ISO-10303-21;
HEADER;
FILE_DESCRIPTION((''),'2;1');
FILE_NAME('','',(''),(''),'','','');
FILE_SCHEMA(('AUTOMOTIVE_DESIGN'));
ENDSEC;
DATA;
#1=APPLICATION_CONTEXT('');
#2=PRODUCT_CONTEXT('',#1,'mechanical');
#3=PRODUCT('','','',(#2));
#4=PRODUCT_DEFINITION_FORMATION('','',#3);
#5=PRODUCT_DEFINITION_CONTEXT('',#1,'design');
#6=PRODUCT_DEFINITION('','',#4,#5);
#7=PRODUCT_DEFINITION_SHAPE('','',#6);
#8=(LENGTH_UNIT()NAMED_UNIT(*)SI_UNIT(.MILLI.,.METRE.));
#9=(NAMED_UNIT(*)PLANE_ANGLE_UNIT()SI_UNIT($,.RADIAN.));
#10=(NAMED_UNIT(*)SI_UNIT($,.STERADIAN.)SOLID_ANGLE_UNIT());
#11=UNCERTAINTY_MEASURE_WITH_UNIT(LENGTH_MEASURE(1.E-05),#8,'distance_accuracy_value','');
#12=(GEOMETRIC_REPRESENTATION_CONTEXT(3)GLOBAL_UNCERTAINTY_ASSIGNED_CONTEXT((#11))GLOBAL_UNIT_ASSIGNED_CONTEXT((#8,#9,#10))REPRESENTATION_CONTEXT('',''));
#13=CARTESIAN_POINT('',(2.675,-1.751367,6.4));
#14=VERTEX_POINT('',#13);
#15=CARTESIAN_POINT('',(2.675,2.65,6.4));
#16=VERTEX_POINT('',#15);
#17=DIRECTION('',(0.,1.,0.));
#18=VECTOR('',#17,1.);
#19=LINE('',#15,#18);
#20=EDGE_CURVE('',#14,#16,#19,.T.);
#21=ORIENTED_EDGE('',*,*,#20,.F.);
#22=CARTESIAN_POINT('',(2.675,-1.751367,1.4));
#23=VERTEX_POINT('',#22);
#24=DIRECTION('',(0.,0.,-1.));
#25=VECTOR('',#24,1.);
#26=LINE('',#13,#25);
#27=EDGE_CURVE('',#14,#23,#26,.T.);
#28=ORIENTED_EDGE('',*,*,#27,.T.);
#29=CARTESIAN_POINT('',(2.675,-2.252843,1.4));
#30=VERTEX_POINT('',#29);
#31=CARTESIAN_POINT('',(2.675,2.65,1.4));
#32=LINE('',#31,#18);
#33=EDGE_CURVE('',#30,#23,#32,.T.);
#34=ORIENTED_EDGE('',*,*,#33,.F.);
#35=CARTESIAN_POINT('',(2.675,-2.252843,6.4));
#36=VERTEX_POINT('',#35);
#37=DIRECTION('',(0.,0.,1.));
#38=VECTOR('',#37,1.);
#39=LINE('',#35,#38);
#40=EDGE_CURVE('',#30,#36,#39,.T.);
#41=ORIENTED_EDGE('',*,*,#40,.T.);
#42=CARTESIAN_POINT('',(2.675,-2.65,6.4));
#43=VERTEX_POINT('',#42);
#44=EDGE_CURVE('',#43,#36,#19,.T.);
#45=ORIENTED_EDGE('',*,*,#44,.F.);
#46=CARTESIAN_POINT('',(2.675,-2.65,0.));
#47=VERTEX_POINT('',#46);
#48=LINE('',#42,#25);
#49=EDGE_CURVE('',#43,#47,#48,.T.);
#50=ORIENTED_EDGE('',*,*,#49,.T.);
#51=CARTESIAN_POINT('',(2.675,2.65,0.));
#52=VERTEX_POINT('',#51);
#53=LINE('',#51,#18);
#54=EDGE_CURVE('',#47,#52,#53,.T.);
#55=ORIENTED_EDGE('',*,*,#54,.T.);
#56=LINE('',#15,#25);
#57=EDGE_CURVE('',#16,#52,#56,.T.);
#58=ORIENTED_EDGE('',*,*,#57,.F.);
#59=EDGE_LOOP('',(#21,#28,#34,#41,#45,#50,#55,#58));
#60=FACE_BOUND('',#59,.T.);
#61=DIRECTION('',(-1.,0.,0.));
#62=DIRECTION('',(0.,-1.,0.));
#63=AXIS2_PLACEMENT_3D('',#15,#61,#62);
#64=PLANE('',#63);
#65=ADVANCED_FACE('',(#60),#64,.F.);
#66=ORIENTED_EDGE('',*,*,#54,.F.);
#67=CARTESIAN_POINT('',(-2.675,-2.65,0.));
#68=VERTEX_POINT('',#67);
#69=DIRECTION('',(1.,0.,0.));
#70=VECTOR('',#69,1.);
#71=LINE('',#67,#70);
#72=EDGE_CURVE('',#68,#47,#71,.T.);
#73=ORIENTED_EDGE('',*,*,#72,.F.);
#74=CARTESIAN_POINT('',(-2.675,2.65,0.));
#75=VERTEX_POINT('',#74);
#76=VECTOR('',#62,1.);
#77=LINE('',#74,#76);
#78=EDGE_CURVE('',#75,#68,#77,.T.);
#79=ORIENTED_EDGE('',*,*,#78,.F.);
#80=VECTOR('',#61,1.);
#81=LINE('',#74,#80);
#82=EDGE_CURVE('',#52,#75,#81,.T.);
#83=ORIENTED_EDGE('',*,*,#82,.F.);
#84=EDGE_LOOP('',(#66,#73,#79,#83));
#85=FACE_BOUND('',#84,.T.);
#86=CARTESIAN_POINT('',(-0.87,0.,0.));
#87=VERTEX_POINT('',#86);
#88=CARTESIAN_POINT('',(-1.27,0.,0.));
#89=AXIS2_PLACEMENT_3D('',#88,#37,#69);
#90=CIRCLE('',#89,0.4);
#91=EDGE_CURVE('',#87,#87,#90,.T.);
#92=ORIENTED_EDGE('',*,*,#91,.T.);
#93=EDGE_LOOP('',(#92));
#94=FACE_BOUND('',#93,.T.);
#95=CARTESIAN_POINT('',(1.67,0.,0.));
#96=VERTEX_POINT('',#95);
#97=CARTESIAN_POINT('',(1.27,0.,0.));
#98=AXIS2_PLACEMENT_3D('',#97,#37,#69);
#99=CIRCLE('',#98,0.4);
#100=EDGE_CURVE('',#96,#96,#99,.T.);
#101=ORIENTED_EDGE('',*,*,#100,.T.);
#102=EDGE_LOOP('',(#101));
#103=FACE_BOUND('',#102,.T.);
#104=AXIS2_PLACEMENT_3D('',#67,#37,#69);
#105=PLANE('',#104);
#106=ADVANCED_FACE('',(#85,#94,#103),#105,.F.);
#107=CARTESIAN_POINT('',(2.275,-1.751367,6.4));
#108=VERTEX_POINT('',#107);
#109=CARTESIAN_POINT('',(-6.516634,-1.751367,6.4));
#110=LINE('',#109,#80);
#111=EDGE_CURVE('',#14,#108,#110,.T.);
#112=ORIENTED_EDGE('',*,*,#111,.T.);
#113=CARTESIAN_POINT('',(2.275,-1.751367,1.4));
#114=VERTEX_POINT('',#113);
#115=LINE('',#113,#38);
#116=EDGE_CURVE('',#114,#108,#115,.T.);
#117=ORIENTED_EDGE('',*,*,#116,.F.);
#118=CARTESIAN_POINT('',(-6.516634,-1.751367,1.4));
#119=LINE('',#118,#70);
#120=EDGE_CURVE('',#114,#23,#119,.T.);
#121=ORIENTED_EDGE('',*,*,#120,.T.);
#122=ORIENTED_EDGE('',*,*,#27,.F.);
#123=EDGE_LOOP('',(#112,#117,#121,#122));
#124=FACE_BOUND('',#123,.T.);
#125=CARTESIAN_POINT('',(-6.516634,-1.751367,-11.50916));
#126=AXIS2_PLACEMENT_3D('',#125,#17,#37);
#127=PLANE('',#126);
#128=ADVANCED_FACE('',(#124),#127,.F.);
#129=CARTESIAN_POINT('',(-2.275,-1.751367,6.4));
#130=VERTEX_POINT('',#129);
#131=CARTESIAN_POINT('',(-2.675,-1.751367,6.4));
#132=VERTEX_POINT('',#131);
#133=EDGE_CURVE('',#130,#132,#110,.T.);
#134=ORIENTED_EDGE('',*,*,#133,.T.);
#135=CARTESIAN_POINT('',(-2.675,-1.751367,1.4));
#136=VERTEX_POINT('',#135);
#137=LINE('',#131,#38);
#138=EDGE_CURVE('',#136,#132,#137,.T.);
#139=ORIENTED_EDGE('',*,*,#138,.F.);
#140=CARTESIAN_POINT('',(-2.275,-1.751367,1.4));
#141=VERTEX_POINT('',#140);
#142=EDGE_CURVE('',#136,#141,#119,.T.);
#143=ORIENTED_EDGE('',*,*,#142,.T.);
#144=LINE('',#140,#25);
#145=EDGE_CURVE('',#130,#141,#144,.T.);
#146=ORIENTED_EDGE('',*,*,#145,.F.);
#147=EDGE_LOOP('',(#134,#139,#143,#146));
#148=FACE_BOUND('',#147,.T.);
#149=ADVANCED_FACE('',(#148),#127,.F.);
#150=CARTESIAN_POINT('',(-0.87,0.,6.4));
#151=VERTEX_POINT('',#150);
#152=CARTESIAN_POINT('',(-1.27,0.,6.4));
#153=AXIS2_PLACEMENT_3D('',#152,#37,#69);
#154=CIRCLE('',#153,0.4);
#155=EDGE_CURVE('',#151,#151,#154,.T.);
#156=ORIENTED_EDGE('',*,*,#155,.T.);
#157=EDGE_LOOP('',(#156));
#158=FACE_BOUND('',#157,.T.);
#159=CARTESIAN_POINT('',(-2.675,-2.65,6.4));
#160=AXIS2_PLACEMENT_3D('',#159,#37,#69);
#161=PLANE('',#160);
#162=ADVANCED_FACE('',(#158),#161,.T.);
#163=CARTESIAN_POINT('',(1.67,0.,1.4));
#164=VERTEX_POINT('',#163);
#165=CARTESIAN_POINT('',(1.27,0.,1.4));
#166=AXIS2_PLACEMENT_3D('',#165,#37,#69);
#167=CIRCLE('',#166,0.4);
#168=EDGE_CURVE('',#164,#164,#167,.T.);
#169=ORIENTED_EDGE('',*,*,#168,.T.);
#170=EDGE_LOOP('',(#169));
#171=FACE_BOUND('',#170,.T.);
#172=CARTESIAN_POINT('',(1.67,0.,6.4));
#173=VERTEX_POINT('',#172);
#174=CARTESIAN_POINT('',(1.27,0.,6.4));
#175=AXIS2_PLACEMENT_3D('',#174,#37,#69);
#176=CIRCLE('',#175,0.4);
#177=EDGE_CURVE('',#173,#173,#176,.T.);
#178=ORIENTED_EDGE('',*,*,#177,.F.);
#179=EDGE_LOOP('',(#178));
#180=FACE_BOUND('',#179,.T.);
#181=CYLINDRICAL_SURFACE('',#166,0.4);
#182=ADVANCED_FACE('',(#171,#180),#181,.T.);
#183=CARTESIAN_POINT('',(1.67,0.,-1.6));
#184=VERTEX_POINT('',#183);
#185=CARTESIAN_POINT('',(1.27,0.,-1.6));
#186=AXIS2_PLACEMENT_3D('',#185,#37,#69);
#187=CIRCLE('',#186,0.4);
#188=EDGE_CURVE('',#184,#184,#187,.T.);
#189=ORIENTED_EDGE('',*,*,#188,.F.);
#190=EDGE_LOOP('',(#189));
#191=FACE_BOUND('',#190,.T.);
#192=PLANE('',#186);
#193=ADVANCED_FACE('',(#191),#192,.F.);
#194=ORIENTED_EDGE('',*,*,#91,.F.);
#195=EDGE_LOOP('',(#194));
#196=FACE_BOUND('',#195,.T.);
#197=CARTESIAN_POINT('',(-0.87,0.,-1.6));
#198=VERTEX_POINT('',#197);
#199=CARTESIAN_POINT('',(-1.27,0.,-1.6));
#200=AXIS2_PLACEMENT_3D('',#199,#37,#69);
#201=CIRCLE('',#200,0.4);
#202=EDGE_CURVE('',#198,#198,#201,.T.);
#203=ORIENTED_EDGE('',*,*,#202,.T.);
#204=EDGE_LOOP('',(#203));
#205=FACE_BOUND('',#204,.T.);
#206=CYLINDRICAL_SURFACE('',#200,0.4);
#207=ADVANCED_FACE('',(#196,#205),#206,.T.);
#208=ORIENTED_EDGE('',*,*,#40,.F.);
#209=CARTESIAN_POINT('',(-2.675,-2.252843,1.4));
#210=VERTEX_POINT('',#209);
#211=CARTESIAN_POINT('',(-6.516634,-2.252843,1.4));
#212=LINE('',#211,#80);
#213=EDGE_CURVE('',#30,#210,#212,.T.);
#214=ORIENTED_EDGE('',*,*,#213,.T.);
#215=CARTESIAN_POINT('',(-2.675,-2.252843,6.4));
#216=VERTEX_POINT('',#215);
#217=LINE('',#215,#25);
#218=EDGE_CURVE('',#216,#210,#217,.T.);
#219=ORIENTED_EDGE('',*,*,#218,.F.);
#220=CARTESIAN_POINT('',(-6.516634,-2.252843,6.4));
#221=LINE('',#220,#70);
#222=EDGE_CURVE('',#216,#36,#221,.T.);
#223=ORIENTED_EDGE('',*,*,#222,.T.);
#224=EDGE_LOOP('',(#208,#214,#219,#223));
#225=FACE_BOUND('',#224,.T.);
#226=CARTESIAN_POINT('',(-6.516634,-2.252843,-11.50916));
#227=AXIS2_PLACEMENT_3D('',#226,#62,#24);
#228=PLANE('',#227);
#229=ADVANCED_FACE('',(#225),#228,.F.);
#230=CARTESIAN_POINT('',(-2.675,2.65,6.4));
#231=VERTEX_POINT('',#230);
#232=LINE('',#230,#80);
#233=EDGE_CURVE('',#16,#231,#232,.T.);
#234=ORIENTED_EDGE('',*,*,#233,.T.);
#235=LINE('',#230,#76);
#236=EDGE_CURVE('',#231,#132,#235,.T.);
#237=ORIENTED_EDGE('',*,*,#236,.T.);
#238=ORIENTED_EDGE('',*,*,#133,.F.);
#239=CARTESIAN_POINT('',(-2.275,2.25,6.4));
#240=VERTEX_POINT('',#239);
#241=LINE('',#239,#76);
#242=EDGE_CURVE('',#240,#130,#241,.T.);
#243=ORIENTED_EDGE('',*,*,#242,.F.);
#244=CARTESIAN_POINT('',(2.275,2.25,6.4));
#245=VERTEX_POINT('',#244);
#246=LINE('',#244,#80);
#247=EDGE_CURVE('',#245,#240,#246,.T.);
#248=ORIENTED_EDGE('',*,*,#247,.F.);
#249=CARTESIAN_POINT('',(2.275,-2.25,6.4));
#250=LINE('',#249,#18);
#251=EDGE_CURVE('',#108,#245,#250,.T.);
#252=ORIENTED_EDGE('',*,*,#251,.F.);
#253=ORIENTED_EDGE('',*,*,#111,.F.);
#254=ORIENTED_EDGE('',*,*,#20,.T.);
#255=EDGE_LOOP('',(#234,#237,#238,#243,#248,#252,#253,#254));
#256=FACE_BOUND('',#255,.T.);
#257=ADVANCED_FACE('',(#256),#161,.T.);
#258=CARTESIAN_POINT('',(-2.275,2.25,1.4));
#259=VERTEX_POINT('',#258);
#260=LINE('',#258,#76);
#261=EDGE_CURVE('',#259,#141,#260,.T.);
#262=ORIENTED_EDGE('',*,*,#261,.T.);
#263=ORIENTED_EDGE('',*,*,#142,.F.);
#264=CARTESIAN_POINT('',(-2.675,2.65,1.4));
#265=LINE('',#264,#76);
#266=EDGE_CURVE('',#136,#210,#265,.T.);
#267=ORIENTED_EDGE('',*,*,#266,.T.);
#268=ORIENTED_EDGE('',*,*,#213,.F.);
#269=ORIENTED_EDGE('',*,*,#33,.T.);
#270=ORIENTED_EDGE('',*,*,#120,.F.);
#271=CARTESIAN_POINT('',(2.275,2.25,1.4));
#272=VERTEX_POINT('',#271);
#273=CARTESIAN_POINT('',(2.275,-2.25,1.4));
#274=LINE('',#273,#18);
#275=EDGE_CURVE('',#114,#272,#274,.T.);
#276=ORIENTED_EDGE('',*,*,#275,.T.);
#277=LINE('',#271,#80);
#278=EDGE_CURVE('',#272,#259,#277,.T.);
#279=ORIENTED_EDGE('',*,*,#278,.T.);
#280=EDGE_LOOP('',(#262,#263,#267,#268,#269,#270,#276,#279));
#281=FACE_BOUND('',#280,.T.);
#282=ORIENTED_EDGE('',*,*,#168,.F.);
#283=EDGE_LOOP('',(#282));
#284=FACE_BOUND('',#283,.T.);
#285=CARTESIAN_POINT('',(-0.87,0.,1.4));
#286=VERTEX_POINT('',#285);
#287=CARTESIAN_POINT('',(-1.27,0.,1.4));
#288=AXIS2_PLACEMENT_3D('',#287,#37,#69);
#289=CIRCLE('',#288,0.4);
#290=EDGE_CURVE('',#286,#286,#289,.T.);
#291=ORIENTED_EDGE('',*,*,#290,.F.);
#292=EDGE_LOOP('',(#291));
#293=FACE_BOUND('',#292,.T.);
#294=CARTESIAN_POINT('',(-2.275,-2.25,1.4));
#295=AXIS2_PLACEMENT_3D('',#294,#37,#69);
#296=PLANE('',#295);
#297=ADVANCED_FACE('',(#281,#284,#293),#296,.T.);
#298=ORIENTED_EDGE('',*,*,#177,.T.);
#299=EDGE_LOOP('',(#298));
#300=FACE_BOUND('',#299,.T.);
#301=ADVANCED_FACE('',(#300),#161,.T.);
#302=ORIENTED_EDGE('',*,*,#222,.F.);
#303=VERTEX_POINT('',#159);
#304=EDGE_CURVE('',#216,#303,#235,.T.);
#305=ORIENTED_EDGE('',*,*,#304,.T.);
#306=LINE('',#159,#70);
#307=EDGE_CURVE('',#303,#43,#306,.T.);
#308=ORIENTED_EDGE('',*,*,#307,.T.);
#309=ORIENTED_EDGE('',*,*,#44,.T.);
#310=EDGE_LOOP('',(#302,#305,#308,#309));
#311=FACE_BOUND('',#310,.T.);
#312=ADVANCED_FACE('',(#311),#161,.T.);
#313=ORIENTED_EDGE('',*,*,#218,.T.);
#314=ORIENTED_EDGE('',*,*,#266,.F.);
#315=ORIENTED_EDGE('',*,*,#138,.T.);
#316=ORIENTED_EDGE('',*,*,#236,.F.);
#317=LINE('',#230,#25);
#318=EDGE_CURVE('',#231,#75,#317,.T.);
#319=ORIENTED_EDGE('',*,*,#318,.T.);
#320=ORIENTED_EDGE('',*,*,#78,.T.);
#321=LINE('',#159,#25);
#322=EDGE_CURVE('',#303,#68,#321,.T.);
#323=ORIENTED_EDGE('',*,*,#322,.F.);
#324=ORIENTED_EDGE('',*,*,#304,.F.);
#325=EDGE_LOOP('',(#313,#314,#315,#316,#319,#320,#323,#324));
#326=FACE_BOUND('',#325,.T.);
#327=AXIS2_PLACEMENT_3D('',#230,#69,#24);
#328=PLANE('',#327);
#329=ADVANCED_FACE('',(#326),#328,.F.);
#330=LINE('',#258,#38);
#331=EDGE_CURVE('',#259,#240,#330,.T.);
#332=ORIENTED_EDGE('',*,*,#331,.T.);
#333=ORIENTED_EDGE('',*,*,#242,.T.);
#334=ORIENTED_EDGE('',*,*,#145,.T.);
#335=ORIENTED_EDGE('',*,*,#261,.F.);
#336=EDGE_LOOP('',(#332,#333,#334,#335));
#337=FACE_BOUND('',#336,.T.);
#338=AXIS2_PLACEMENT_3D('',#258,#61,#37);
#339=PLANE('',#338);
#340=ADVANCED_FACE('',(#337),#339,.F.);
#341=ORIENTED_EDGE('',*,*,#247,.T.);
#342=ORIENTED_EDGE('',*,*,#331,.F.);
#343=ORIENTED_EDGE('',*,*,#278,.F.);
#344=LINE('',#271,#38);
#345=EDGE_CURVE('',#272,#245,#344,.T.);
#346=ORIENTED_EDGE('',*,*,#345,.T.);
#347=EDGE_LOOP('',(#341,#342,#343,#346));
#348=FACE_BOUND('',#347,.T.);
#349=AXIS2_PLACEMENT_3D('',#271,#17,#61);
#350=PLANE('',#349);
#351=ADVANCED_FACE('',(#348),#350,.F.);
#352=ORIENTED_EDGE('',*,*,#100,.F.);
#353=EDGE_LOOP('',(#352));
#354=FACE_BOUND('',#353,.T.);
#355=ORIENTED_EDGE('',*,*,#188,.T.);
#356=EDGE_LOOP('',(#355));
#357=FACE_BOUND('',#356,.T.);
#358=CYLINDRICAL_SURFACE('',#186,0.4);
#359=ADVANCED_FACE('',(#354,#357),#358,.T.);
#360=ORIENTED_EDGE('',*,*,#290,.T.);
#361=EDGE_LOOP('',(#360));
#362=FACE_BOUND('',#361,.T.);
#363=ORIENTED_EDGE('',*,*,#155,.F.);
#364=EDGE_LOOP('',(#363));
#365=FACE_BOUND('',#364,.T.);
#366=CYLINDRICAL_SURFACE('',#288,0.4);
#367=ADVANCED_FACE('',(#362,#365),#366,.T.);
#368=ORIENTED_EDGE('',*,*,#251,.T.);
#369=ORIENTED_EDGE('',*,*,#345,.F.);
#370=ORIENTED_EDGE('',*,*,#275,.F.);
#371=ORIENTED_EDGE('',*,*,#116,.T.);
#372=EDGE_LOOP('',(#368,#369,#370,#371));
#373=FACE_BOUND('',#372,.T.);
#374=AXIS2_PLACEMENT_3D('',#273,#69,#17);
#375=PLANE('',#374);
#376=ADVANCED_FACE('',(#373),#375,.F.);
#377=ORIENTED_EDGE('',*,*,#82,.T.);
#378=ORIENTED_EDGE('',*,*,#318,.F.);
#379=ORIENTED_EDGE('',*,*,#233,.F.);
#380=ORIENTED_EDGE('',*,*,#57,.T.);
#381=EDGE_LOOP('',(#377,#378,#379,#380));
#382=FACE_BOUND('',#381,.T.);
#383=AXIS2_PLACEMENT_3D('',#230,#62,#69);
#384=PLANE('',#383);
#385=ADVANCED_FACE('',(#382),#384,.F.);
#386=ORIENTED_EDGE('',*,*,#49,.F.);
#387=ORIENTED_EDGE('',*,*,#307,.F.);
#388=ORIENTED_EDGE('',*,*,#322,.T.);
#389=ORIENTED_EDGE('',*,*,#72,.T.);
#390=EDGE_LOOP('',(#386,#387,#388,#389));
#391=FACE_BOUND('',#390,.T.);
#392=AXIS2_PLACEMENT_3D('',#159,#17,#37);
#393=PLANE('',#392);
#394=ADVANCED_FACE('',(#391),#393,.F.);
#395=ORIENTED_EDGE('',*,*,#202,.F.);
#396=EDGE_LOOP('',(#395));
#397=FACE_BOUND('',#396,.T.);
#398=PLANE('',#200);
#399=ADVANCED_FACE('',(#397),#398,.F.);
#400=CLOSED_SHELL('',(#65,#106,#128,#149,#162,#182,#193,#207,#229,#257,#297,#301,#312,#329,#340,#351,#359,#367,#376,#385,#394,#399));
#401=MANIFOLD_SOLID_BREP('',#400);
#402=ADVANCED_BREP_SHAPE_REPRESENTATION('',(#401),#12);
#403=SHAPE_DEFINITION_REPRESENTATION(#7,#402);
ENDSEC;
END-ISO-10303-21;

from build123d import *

# Parameters (mm, degrees)
SKETCH_1_W          = 5.35
SKETCH_1_H          = 5.3
EXTRUDE_1_DEPTH     = 6.4
SKETCH_2_W          = 4.55
SKETCH_2_H          = 4.5
SKETCH_2_R          = 0.4
CUT_EXTRUDE_1_DEPTH = 5
SKETCH_3_W          = 12.899416502
SKETCH_3_H          = 0.501475964
CUT_EXTRUDE_2_DEPTH = 5
SKETCH_4_R          = 0.4
EXTRUDE_2_DEPTH     = 8


with BuildPart() as part:
    # Эскиз1 → Вытянуть1 (new body)
    with BuildSketch(Plane.XY):
        Rectangle(SKETCH_1_W, SKETCH_1_H)
    extrude(amount=EXTRUDE_1_DEPTH)

    # Эскиз2 → Вырез-Вытянуть1 (cut)
    with BuildSketch(Plane.XY.offset(6.4)):
        Rectangle(SKETCH_2_W, SKETCH_2_H)
        with Locations((-1.27, 0)):
            Circle(SKETCH_2_R, mode=Mode.SUBTRACT)
        with Locations((1.27, 0)):
            Circle(SKETCH_2_R, mode=Mode.SUBTRACT)
    extrude(amount=-CUT_EXTRUDE_1_DEPTH, mode=Mode.SUBTRACT)

    # Эскиз3 → Вырез-Вытянуть2 (cut)
    with BuildSketch(Plane.XY.offset(6.4)):
        with Locations((-0.066925705, -2.002104797)):
            Rectangle(SKETCH_3_W, SKETCH_3_H)
    extrude(amount=-CUT_EXTRUDE_2_DEPTH, mode=Mode.SUBTRACT)

    # Эскиз4 → Вытянуть2 (add)
    with BuildSketch(Plane.XY.offset(6.4)):
        with Locations((-1.27, 0)):
            Circle(SKETCH_4_R)
        with Locations((1.27, 0)):
            Circle(SKETCH_4_R)
    extrude(amount=-EXTRUDE_2_DEPTH)


solid = part.part
